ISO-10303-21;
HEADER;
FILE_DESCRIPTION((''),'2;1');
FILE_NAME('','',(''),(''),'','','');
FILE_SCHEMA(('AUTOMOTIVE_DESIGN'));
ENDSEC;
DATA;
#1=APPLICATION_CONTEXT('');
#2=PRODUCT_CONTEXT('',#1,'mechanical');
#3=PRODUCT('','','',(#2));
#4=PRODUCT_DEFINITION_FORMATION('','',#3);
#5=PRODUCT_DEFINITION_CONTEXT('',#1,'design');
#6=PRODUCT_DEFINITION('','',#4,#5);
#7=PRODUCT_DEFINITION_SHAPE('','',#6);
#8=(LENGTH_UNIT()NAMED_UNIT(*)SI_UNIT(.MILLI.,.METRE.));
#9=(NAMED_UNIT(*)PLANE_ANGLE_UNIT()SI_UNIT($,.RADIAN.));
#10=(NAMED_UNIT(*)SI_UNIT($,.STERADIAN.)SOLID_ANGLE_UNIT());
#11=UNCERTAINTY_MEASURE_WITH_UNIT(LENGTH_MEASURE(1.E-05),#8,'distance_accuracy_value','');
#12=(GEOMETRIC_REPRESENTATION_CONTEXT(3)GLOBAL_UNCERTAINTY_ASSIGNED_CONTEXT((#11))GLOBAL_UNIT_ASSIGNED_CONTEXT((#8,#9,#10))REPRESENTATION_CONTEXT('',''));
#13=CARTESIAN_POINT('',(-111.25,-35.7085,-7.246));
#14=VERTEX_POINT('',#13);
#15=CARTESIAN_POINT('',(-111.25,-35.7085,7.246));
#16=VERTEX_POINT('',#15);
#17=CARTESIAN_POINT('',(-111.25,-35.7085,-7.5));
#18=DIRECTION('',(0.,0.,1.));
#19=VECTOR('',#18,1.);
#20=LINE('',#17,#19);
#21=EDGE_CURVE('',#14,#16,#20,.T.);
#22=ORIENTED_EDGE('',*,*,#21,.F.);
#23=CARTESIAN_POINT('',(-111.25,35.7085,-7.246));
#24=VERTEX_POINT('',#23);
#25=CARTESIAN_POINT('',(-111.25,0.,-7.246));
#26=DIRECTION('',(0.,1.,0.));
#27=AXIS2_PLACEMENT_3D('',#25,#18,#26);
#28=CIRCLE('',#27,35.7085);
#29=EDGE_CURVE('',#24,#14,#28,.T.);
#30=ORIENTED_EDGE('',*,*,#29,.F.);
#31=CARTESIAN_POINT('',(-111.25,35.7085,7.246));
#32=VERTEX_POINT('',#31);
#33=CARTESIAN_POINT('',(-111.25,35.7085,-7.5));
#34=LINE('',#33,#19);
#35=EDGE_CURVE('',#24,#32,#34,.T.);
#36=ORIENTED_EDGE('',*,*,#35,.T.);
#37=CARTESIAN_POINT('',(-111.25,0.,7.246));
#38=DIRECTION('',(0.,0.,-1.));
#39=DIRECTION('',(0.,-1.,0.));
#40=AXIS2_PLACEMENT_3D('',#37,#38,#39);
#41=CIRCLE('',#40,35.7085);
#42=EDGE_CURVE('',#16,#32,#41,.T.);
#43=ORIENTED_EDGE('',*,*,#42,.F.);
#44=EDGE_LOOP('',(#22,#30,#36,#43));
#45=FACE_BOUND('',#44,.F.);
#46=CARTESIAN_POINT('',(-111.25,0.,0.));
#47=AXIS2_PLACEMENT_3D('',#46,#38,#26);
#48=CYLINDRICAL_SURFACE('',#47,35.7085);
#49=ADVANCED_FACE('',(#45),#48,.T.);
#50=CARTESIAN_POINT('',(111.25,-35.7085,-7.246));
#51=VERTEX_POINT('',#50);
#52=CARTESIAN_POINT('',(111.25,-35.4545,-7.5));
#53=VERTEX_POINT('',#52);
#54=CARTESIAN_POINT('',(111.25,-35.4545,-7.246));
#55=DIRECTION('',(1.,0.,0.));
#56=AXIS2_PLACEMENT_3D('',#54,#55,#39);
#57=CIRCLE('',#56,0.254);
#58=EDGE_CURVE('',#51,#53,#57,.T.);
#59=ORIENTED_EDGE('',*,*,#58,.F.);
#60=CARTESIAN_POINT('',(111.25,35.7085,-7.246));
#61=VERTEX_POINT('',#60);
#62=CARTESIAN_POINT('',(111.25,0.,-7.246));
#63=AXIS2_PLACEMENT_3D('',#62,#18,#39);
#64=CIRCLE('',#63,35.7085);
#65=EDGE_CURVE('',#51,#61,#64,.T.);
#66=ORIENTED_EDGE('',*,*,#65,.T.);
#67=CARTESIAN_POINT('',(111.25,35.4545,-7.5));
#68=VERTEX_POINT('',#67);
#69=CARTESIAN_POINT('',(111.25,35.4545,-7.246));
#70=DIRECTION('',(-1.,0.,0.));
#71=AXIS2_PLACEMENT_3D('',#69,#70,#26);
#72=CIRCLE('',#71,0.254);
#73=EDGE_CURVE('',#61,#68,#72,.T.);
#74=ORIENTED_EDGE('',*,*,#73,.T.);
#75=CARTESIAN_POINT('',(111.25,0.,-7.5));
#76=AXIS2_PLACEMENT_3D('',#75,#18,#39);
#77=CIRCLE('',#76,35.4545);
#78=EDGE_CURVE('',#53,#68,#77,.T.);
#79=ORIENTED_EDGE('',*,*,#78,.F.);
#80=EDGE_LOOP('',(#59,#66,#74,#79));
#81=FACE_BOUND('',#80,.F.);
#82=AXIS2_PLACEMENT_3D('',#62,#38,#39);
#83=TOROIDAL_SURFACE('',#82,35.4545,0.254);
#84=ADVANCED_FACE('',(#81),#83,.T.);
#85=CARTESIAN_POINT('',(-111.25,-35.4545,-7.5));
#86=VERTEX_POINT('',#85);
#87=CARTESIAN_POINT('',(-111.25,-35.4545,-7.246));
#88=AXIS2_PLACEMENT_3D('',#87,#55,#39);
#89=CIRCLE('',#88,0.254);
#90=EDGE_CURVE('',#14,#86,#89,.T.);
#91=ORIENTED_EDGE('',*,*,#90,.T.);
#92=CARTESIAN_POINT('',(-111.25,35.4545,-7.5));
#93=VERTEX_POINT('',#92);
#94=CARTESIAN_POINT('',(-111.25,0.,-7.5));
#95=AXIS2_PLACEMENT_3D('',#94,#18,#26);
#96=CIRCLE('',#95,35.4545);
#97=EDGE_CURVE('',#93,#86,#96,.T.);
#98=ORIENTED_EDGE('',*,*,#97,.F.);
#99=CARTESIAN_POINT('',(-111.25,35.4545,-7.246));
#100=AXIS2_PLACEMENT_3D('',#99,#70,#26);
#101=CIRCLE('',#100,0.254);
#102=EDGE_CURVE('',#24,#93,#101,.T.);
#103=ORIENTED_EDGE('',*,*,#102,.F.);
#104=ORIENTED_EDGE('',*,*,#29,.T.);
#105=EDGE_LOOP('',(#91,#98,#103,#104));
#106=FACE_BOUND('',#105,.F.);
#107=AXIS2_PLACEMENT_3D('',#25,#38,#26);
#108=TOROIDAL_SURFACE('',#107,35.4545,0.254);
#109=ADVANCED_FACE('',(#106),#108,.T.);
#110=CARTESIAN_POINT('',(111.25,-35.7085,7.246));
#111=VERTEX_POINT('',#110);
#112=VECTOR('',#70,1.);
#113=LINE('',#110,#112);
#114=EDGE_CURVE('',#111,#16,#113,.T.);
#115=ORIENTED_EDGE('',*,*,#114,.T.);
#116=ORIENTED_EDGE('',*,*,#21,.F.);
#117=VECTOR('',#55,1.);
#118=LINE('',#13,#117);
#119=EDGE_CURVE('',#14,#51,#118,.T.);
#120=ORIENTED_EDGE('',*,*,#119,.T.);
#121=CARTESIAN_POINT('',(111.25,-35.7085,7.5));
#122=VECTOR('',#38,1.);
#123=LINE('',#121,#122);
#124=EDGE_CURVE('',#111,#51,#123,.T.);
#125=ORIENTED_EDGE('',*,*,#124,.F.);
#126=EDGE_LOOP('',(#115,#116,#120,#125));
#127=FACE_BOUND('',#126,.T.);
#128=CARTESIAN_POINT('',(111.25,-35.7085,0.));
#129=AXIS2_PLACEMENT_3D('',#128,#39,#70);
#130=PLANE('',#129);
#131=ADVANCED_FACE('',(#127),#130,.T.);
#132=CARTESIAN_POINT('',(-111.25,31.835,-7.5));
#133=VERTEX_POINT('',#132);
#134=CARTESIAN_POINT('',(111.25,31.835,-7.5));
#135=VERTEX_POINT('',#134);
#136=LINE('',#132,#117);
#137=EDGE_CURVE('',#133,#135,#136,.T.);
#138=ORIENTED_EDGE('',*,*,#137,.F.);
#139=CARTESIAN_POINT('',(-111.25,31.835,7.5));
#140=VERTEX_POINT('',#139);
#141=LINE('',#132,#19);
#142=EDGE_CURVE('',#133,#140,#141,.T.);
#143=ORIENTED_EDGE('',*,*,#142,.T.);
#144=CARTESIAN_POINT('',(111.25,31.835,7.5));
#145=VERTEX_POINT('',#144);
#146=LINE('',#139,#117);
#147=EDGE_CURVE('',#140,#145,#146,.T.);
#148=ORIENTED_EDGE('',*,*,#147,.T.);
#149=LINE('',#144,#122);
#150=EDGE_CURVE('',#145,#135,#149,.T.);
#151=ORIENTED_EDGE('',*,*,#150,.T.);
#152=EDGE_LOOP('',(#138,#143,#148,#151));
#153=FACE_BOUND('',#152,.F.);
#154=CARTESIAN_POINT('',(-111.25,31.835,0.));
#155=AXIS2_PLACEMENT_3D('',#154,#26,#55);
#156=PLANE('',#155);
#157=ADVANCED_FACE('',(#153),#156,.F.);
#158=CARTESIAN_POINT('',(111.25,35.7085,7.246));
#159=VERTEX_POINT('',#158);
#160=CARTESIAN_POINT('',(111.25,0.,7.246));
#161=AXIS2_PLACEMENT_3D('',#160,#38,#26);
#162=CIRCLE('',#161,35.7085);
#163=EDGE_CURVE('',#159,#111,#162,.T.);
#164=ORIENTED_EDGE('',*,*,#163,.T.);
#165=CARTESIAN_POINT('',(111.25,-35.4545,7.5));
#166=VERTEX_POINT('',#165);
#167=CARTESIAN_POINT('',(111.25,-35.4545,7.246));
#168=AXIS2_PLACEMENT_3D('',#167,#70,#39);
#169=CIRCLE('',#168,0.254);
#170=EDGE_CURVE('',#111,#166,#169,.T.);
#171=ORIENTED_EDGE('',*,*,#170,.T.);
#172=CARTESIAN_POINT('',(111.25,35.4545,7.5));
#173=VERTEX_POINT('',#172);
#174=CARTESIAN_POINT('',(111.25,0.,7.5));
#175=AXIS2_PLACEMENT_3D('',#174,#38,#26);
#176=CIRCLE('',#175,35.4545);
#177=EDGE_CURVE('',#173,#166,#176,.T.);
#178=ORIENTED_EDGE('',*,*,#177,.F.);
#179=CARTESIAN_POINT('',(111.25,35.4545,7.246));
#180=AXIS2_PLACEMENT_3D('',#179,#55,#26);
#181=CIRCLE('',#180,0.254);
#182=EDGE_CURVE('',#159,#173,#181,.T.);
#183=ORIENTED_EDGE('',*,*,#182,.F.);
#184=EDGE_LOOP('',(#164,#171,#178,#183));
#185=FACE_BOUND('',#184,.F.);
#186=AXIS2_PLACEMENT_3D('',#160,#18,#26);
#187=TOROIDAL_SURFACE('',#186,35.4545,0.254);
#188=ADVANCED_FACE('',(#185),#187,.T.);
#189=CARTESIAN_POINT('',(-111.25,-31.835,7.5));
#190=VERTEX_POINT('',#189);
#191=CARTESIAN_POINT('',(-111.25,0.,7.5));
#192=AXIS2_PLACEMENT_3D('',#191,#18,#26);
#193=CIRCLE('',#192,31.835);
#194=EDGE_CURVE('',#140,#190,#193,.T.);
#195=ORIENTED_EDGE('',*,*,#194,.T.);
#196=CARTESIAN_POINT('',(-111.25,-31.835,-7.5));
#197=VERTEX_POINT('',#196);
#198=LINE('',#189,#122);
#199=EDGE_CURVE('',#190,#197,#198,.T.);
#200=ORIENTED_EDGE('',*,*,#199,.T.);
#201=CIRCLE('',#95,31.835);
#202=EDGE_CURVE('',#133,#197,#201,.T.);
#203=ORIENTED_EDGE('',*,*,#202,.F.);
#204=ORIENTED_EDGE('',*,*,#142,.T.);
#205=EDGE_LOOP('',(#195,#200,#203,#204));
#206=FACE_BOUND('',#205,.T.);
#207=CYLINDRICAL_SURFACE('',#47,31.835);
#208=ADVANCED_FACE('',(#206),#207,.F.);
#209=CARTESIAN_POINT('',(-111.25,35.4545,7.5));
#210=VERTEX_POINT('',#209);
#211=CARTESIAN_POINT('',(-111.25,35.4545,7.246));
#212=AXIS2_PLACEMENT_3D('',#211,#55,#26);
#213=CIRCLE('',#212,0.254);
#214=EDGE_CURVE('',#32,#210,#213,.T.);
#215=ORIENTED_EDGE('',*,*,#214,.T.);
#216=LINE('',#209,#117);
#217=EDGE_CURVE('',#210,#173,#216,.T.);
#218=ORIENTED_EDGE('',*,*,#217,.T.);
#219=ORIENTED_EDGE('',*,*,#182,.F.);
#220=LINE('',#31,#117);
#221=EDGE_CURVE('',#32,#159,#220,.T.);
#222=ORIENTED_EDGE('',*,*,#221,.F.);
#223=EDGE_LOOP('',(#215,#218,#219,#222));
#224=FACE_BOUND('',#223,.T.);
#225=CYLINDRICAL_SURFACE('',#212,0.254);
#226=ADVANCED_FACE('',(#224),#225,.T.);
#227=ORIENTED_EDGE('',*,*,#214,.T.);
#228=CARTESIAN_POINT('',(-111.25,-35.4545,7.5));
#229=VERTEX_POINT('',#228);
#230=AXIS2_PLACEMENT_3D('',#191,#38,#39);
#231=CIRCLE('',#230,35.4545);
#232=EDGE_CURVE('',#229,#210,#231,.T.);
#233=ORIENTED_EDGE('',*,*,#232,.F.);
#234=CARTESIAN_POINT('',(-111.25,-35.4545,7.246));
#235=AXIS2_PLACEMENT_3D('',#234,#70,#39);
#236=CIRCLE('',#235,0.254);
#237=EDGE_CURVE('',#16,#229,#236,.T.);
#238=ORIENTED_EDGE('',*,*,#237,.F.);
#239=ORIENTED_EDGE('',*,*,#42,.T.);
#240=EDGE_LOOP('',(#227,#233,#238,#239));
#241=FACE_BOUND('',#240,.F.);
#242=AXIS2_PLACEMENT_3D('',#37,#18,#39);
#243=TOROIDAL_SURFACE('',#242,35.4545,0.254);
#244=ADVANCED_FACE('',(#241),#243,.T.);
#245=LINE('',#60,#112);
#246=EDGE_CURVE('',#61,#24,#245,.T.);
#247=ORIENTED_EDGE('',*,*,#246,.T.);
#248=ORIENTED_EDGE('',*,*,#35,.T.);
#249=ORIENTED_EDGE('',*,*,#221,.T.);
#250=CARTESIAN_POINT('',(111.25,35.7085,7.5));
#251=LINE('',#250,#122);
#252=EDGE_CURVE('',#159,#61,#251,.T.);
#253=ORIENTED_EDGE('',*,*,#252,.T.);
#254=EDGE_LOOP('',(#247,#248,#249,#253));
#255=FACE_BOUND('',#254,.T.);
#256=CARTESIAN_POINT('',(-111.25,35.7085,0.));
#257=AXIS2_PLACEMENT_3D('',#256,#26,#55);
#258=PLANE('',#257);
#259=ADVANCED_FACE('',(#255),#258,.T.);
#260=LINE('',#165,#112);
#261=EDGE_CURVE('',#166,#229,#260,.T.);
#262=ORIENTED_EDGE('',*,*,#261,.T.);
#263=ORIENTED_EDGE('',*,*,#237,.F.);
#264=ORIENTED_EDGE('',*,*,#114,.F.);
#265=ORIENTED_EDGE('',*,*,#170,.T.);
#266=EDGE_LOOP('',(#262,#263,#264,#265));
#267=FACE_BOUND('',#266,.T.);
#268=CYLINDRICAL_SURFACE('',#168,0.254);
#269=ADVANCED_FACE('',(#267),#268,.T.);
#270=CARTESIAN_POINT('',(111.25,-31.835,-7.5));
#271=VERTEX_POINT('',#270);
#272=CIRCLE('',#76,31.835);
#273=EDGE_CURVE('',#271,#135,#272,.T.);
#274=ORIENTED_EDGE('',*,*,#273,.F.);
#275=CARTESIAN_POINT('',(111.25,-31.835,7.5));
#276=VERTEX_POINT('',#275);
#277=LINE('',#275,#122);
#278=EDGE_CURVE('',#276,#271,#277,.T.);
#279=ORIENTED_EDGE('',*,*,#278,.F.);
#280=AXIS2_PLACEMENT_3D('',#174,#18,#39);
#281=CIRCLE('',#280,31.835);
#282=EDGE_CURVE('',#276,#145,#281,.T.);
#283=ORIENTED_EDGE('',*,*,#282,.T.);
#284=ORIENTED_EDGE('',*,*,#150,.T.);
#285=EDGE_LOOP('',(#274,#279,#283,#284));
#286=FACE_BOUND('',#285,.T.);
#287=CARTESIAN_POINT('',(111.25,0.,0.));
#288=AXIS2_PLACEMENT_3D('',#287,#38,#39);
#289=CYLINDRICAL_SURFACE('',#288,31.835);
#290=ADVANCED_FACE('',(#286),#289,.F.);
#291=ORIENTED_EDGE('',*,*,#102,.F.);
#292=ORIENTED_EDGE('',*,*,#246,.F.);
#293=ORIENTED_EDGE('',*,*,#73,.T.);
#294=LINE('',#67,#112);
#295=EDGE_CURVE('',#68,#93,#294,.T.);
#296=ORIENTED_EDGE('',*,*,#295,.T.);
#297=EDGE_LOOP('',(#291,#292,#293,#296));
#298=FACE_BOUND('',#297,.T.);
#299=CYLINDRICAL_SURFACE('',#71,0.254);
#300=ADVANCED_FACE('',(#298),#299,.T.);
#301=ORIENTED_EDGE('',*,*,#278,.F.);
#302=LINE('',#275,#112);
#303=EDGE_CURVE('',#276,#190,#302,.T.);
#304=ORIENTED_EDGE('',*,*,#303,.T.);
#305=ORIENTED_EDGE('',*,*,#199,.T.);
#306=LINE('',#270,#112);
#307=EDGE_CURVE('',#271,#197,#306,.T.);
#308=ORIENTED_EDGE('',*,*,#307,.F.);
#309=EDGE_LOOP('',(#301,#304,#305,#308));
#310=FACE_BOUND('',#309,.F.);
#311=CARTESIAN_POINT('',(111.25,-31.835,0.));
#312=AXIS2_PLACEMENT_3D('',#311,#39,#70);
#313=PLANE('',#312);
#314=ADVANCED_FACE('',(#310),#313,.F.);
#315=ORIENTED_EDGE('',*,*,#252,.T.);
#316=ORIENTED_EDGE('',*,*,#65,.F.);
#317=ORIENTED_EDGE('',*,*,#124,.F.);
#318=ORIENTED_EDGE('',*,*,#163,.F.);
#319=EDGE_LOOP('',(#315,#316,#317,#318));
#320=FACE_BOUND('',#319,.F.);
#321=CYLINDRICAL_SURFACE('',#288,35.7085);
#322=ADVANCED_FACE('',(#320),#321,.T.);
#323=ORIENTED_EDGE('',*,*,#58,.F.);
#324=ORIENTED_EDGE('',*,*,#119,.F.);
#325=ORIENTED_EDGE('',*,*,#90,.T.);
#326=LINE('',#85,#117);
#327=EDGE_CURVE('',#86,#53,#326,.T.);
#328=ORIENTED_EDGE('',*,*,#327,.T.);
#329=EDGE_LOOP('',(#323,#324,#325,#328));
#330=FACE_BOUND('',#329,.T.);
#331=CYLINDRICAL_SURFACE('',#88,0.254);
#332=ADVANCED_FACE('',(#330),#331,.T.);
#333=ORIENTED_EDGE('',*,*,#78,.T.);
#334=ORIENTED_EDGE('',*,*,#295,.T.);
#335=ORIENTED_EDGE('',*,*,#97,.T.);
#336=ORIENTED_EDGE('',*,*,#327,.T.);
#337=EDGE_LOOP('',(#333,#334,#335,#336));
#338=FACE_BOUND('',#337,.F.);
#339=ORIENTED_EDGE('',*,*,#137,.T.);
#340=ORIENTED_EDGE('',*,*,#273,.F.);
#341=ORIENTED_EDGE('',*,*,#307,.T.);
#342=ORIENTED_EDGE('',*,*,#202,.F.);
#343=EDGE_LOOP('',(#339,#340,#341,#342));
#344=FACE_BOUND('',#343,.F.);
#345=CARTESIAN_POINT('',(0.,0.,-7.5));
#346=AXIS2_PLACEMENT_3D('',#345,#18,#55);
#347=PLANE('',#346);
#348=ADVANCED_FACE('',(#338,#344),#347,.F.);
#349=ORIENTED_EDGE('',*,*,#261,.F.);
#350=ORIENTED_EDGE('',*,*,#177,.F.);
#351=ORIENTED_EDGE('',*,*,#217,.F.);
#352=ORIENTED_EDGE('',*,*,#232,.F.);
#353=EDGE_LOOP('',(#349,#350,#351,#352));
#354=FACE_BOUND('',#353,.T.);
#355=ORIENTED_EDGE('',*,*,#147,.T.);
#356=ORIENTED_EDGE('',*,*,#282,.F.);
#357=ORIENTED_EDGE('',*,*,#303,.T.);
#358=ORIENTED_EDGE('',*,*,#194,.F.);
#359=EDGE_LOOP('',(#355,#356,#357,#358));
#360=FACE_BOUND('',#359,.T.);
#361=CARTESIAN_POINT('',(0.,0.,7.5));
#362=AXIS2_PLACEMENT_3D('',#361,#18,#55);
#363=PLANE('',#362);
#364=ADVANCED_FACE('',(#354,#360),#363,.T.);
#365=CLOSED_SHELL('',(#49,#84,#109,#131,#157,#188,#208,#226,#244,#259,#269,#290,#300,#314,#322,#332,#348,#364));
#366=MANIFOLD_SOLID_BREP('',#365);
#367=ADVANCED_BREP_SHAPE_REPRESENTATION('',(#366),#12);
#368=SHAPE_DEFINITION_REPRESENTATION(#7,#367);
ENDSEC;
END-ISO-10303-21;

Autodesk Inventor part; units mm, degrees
ref_plane "YZ Plane" through (0, 0, 0) normal (1, 0, 0) x (0, 1, 0)
ref_plane "XZ Plane" through (0, 0, 0) normal (0, 1, 0) x (-1, 0, 0)
ref_plane "XY Plane" through (0, 0, 0) normal (0, 0, 1) x (1, 0, 0)
sketch "Sketch1" plane through (0, 0, 0) normal (0, 0, 1) x (1, 0, 0)
  line L0 (111.25, 0) -> (-111.25, 0) construction
  line L1 (111.25, 33.4225) -> (-111.25, 33.4225) construction
  line L2 (-111.25, -33.4225) -> (111.25, -33.4225) construction
  arc A0 (111.25, -33.4225) -> (111.25, 33.4225) centre (111.25, 0) ccw construction
  arc A1 (-111.25, 33.4225) -> (-111.25, -33.4225) centre (-111.25, 0) ccw construction
  line L3 (-111.25, 35.7085) -> (111.25, 35.7085)
  arc A2 (111.25, -35.7085) -> (111.25, 35.7085) centre (111.25, 0) ccw
  line L4 (111.25, -35.7085) -> (-111.25, -35.7085)
  arc A3 (-111.25, 35.7085) -> (-111.25, -35.7085) centre (-111.25, 0) ccw
  line L5 (-111.25, 31.835) -> (111.25, 31.835)
  arc A4 (111.25, -31.835) -> (111.25, 31.835) centre (111.25, 0) ccw
  line L6 (111.25, -31.835) -> (-111.25, -31.835)
  arc A5 (-111.25, 31.835) -> (-111.25, -31.835) centre (-111.25, 0) ccw
  point P0 (0, 0)
  dimension "d0" = 66.8451
  dimension "d1" = 105
  dimension "d2" = 222.5
  dimension "d3" = 2.286
  dimension "d4" = 1.5875
extrude "Extrusion1" add sketch "Sketch1" along normal mid plane 15
fillet "Fillet1" radius 0.254 8 edges at (0, 35.7085, 7.5) (-146.9585, 0, 7.5) (0, -35.7085, 7.5) (146.9585, 0, 7.5) (146.9585, 0, -7.5) (0, -35.7085, -7.5) (-146.9585, 0, -7.5) (0, 35.7085, -7.5)
properties part number "Configurable Kitbot Drive Belt" material "Rubber"
